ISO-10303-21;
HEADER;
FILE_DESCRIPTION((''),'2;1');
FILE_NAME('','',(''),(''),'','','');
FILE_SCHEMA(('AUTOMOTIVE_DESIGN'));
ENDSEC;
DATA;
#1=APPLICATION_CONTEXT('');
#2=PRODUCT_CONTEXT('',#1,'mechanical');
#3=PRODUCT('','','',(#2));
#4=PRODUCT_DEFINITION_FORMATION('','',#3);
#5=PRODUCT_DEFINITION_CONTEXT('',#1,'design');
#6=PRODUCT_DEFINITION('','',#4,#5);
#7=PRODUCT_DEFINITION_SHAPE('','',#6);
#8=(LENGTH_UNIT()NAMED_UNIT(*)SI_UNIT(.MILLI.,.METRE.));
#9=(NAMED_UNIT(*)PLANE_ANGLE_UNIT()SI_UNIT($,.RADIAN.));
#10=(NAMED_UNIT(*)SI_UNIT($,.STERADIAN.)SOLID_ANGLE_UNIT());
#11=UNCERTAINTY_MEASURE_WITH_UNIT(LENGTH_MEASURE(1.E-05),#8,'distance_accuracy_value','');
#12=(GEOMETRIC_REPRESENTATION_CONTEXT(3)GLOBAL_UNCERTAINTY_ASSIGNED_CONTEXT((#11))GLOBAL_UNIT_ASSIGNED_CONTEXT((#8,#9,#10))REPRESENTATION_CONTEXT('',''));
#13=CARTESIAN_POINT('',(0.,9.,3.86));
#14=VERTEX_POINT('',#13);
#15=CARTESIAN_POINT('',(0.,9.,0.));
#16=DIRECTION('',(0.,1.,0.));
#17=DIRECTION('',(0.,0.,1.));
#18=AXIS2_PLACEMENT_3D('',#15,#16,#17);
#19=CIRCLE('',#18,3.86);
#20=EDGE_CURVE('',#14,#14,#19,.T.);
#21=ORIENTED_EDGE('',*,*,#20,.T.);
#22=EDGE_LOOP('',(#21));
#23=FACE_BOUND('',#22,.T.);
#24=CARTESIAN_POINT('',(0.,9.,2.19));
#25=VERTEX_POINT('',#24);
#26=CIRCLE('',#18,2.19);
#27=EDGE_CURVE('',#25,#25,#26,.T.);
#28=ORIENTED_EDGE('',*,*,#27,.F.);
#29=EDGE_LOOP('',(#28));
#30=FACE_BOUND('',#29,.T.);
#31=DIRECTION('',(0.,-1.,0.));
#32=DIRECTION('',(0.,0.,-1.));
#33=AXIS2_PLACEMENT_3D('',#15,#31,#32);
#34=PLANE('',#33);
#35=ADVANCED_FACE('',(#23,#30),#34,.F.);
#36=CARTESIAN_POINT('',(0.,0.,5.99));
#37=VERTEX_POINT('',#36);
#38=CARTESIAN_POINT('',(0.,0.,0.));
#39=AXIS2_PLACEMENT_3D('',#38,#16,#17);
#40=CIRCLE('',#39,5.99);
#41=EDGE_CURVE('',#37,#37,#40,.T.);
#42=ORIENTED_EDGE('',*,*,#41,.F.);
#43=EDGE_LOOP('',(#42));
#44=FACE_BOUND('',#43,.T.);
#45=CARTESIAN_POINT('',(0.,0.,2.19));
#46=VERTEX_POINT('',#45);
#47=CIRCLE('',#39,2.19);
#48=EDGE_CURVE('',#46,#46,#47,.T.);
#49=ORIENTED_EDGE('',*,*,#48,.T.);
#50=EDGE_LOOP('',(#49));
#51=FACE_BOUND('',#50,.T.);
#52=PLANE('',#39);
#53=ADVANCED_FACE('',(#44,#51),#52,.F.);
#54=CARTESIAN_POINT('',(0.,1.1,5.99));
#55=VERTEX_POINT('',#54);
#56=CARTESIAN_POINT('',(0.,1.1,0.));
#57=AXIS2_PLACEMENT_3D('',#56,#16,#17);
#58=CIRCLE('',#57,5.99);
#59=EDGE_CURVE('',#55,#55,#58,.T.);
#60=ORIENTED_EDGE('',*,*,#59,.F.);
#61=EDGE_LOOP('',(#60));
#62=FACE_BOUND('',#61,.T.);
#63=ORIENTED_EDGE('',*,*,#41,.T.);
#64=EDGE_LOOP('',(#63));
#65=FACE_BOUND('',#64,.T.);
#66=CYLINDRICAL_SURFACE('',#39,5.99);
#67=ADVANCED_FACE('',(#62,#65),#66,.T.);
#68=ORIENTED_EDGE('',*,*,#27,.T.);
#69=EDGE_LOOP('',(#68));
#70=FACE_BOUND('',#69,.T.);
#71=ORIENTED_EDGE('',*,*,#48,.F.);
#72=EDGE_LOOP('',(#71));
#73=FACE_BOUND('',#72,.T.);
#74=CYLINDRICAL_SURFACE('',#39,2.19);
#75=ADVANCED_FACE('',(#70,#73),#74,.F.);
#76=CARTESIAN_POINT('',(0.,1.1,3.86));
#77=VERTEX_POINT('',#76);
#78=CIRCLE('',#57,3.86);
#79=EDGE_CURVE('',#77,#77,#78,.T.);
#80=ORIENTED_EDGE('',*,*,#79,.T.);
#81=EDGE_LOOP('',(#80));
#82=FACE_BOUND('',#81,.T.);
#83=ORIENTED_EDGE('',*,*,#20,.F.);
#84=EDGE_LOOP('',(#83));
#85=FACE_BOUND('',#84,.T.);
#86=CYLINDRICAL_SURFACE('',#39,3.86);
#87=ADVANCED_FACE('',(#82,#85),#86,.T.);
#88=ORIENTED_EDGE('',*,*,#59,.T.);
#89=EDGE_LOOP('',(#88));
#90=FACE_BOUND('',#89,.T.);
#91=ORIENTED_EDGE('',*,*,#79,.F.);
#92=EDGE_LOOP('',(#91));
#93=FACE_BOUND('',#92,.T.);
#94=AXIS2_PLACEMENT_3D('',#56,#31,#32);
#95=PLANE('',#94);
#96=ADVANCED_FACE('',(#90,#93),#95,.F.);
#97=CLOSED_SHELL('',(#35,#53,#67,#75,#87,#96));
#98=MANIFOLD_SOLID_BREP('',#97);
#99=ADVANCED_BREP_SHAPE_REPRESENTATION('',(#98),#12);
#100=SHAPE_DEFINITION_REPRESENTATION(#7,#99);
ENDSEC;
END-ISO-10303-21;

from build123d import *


with BuildPart() as part:
    # Sketch1 → Revolve4 (revolve)
    with BuildSketch(Plane.XY, mode=Mode.PRIVATE) as revolve4_sk:
        Polygon((2.19, 9), (2.19, 0), (5.99, 0), (5.99, 1.1), (3.86, 1.1), (3.86, 9), align=None)
    revolve(revolve4_sk.sketch.rotate(Axis((0, 0, 0), (0, -1, 0)), 90), axis=Axis((0, 0, 0), (0, -1, 0)))


solid = part.part
